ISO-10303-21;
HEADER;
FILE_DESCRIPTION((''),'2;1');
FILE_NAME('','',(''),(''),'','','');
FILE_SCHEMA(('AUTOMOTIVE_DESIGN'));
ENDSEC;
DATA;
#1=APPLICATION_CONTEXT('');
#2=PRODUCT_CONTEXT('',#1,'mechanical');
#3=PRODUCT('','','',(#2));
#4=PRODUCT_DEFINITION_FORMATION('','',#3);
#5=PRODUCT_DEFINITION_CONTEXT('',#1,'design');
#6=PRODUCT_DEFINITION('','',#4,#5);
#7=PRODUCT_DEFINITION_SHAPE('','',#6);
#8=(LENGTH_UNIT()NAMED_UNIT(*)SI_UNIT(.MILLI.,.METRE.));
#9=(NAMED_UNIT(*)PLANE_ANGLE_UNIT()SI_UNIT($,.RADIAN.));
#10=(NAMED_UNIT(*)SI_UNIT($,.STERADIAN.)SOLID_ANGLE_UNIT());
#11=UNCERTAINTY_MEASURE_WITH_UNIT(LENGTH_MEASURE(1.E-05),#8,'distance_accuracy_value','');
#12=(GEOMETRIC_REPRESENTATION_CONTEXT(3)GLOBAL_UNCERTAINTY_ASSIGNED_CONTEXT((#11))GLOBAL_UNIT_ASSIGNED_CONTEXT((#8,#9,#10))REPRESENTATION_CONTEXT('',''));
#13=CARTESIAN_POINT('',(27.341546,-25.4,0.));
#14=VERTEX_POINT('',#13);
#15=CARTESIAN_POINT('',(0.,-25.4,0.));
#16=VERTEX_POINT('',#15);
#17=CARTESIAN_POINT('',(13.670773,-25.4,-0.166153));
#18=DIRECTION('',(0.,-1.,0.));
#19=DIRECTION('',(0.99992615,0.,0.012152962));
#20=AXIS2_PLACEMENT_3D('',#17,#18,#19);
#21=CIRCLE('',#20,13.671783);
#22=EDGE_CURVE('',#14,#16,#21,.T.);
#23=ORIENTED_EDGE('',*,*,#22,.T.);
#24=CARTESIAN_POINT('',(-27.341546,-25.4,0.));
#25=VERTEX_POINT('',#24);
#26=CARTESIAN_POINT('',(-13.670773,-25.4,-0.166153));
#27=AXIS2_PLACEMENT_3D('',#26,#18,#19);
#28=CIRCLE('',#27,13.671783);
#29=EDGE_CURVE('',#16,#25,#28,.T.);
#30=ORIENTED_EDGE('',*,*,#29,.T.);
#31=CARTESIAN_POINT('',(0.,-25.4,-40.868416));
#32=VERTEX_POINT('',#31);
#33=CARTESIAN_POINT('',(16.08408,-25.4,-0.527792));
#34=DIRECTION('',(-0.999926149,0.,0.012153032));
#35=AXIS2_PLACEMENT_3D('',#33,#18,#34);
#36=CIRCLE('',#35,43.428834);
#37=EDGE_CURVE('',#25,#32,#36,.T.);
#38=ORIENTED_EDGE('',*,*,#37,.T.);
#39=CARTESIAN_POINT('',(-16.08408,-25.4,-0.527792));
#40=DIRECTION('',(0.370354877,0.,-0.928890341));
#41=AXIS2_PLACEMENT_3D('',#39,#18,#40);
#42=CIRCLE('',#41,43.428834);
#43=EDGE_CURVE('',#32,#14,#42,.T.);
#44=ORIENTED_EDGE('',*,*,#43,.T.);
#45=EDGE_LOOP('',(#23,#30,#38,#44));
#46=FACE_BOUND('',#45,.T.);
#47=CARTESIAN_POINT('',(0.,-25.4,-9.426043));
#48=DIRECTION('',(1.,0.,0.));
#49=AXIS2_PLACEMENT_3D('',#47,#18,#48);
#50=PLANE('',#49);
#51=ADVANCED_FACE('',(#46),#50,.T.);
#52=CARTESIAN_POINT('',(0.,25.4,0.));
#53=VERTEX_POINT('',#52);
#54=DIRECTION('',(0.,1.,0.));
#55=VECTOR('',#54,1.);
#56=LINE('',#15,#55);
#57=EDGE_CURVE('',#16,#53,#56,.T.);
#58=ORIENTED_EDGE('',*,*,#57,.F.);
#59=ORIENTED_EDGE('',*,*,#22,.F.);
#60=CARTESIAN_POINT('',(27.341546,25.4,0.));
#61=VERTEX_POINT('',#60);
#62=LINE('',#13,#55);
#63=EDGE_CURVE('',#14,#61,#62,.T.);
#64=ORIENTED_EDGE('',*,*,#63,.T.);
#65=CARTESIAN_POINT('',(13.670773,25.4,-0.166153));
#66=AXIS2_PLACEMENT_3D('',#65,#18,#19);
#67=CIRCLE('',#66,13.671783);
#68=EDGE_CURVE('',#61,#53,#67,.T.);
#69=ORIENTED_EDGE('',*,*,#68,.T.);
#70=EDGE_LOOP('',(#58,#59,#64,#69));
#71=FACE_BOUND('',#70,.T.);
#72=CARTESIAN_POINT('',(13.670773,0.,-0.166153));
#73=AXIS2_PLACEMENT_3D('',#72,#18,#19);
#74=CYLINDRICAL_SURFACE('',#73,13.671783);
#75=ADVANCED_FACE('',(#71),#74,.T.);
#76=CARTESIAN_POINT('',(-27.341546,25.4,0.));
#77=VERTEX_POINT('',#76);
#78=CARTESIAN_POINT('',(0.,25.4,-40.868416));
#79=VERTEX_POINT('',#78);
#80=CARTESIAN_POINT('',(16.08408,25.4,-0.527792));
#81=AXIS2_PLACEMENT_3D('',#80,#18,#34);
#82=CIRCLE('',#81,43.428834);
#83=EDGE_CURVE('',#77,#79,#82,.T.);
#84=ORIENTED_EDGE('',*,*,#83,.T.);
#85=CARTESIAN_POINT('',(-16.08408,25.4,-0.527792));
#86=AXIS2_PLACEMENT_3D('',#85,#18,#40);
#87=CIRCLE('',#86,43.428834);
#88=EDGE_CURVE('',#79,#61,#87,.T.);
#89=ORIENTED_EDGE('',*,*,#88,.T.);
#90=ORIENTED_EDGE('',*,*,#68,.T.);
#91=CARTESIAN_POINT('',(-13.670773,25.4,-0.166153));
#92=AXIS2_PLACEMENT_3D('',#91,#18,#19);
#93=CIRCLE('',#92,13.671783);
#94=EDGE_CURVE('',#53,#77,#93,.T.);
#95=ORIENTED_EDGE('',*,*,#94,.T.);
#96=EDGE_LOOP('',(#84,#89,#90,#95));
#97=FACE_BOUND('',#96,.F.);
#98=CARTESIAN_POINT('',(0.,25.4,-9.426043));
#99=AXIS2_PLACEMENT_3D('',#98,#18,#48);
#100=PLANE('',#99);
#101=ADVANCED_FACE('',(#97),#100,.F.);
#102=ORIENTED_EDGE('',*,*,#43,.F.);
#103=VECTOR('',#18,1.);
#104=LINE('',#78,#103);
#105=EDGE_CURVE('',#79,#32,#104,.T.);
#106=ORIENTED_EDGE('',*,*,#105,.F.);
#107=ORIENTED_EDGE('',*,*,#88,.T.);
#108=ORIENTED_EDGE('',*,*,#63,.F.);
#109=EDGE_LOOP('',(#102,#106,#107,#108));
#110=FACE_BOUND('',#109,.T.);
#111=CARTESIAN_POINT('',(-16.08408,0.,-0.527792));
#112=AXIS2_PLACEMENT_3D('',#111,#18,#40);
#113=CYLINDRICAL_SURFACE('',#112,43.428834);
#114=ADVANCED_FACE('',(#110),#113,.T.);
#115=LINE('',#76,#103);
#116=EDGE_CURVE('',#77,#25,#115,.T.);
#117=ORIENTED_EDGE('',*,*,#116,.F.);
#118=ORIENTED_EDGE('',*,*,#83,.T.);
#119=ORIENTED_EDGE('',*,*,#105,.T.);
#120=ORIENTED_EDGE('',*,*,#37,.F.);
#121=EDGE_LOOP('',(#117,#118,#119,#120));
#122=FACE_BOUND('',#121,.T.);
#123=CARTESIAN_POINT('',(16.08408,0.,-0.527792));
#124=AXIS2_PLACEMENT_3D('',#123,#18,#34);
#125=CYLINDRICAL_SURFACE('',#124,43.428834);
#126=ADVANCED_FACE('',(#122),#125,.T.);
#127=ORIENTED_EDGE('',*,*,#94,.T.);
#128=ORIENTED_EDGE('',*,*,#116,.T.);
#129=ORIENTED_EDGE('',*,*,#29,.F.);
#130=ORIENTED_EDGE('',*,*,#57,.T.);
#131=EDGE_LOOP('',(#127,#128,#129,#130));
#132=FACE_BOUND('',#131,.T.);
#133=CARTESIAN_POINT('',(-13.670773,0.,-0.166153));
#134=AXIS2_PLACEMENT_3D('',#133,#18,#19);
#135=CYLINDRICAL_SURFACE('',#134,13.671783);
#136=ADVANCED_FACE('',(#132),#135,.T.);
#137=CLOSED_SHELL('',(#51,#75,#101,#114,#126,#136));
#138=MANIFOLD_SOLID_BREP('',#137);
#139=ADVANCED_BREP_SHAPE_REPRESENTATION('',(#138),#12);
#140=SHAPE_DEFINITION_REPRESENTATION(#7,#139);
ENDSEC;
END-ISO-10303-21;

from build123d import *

# Parameters (mm, degrees)
F1_DEPTH      = 25.4
F1_DEPTH_BACK = 25.4


with BuildPart() as f1:
    # F0 (on Front) → F1 (new body, two sides)
    with BuildSketch(Plane.XZ) as f1_sk:
        with BuildLine():
            ThreePointArc((0, 0), (-13.670773, 13.50563), (-27.341546, 0))
            ThreePointArc((-27.341546, 0), (-20.011739, -24.676403), (0, -40.868416))
            ThreePointArc((0, -40.868416), (20.011739, -24.676403), (27.341546, 0))
            ThreePointArc((27.341546, 0), (13.670773, 13.50563), (0, 0))
        make_face()
    extrude(amount=F1_DEPTH)
    extrude(f1_sk.sketch, amount=-F1_DEPTH_BACK)


solid = f1.part
